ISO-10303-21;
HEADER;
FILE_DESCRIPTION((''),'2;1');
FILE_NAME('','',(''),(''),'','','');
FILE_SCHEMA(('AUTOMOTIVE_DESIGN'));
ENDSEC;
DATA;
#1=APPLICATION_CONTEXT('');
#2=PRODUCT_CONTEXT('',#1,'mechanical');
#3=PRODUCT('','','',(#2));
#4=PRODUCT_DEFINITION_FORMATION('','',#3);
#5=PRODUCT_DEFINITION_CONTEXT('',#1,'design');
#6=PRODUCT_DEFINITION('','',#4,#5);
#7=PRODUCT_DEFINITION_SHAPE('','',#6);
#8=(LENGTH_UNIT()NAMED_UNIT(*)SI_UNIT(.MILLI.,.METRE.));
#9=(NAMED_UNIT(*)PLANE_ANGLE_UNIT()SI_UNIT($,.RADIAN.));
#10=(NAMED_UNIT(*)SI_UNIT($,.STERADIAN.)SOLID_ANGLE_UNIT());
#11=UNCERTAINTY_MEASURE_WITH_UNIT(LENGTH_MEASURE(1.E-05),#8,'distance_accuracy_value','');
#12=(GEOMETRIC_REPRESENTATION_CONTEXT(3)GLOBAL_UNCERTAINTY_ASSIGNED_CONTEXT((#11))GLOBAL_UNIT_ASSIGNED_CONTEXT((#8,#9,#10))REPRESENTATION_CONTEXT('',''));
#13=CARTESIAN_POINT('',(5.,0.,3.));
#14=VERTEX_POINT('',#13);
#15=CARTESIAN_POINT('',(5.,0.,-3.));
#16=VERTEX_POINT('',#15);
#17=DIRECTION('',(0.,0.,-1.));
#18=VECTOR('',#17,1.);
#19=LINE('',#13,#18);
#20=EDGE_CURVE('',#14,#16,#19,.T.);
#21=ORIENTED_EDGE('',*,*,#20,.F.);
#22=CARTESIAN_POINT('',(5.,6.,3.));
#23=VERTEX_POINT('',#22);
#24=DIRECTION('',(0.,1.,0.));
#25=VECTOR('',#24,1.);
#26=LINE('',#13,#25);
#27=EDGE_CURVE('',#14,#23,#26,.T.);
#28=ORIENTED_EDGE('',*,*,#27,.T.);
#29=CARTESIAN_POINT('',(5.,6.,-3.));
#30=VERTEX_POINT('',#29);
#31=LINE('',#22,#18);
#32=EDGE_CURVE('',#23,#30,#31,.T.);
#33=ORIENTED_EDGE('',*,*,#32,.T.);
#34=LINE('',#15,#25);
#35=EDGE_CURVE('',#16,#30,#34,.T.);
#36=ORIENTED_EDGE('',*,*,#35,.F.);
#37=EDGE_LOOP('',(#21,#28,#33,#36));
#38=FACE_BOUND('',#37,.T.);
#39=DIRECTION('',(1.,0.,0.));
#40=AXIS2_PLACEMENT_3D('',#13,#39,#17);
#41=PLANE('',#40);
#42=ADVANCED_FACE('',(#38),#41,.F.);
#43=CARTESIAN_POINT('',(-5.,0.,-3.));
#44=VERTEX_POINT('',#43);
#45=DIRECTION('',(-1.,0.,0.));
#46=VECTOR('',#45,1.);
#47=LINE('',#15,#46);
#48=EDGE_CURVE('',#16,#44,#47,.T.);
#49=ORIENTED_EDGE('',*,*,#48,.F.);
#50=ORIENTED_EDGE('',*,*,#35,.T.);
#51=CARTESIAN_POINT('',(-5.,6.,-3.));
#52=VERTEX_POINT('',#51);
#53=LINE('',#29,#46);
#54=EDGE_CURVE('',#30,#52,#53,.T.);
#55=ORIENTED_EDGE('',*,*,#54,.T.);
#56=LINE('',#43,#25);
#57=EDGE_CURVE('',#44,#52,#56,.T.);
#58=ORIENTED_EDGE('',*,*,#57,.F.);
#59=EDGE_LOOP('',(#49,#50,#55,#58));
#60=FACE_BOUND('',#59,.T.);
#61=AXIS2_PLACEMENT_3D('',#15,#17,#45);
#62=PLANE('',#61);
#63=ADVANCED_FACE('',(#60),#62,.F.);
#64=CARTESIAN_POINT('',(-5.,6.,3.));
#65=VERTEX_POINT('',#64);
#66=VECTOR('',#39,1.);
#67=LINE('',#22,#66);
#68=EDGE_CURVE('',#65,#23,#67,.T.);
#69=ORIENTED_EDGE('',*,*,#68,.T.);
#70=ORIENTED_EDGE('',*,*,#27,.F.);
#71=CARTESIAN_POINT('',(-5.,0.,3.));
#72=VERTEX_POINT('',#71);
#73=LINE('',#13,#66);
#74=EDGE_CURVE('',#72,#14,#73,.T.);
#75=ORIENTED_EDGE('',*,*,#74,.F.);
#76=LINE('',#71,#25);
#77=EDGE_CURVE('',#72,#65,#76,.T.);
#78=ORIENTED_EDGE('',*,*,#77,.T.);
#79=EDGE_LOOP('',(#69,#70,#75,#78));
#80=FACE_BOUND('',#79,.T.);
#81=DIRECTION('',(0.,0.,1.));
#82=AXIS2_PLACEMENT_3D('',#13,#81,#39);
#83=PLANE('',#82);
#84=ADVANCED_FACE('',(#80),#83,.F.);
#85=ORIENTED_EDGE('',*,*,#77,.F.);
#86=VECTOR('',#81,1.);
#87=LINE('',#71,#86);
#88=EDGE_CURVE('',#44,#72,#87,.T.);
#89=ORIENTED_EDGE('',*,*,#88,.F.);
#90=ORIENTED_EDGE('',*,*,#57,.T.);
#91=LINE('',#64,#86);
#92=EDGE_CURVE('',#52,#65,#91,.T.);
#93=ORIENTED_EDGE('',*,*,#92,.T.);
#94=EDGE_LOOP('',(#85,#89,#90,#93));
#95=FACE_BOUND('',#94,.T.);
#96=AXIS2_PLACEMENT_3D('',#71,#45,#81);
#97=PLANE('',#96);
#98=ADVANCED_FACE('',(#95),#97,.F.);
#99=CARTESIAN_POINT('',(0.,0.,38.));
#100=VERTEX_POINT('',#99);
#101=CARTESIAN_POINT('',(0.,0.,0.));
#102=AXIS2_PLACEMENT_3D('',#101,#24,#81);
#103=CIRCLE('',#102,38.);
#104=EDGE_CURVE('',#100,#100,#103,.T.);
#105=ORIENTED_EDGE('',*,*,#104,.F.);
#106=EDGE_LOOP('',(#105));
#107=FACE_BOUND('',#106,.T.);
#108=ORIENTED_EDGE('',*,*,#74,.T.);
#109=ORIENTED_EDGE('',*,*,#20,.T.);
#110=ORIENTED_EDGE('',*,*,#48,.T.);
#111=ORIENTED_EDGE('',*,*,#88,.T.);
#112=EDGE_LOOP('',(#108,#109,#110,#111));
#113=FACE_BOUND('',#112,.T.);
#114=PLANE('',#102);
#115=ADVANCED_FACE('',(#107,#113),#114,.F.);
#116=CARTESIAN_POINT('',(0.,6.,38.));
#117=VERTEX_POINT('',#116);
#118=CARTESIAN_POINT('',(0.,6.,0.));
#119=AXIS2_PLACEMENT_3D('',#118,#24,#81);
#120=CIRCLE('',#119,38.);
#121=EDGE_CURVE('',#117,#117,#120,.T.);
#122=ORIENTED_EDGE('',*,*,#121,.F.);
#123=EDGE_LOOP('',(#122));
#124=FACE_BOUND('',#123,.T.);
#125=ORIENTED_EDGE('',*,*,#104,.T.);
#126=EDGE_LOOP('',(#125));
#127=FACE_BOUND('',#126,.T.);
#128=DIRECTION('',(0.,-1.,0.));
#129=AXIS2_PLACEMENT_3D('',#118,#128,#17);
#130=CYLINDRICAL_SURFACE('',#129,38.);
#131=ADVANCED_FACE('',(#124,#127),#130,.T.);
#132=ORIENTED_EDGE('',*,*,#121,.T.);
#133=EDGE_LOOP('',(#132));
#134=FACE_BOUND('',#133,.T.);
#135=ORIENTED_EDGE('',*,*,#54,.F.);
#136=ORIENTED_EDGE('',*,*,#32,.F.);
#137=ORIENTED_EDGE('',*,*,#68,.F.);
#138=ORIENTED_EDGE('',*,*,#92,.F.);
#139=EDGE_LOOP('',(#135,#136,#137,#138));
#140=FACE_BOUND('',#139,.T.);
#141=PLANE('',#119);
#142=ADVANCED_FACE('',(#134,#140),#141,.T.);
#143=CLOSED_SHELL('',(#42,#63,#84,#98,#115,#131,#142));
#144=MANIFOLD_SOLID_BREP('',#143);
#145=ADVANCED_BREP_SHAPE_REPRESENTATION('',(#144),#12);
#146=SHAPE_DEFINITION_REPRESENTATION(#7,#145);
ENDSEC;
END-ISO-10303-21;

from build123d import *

# Parameters (mm, degrees)
ESBO_O1_R                = 38
RESSALTO_EXTRUS_O1_DEPTH = 6
ESBO_O5_W                = 10
ESBO_O5_H                = 6
CORTE_EXTRUS_O1_DEPTH    = 6


with BuildPart() as part:
    # Esboço1 → Ressalto-extrusão1 (new body)
    with BuildSketch(Plane(origin=(0, 0, 0), x_dir=(1, 0, 0), z_dir=(0, 1, 0))):
        with Locations(Location((0, 0, 0), (0, 0, 270))):
            Circle(ESBO_O1_R)
    extrude(amount=RESSALTO_EXTRUS_O1_DEPTH)

    # Esboço5 → Corte-extrusão1 (cut)
    with BuildSketch(Plane(origin=(0, 6, 0), x_dir=(1, 0, 0), z_dir=(0, 1, 0))):
        Rectangle(ESBO_O5_W, ESBO_O5_H)
    extrude(amount=-CORTE_EXTRUS_O1_DEPTH, mode=Mode.SUBTRACT)


solid = part.part
